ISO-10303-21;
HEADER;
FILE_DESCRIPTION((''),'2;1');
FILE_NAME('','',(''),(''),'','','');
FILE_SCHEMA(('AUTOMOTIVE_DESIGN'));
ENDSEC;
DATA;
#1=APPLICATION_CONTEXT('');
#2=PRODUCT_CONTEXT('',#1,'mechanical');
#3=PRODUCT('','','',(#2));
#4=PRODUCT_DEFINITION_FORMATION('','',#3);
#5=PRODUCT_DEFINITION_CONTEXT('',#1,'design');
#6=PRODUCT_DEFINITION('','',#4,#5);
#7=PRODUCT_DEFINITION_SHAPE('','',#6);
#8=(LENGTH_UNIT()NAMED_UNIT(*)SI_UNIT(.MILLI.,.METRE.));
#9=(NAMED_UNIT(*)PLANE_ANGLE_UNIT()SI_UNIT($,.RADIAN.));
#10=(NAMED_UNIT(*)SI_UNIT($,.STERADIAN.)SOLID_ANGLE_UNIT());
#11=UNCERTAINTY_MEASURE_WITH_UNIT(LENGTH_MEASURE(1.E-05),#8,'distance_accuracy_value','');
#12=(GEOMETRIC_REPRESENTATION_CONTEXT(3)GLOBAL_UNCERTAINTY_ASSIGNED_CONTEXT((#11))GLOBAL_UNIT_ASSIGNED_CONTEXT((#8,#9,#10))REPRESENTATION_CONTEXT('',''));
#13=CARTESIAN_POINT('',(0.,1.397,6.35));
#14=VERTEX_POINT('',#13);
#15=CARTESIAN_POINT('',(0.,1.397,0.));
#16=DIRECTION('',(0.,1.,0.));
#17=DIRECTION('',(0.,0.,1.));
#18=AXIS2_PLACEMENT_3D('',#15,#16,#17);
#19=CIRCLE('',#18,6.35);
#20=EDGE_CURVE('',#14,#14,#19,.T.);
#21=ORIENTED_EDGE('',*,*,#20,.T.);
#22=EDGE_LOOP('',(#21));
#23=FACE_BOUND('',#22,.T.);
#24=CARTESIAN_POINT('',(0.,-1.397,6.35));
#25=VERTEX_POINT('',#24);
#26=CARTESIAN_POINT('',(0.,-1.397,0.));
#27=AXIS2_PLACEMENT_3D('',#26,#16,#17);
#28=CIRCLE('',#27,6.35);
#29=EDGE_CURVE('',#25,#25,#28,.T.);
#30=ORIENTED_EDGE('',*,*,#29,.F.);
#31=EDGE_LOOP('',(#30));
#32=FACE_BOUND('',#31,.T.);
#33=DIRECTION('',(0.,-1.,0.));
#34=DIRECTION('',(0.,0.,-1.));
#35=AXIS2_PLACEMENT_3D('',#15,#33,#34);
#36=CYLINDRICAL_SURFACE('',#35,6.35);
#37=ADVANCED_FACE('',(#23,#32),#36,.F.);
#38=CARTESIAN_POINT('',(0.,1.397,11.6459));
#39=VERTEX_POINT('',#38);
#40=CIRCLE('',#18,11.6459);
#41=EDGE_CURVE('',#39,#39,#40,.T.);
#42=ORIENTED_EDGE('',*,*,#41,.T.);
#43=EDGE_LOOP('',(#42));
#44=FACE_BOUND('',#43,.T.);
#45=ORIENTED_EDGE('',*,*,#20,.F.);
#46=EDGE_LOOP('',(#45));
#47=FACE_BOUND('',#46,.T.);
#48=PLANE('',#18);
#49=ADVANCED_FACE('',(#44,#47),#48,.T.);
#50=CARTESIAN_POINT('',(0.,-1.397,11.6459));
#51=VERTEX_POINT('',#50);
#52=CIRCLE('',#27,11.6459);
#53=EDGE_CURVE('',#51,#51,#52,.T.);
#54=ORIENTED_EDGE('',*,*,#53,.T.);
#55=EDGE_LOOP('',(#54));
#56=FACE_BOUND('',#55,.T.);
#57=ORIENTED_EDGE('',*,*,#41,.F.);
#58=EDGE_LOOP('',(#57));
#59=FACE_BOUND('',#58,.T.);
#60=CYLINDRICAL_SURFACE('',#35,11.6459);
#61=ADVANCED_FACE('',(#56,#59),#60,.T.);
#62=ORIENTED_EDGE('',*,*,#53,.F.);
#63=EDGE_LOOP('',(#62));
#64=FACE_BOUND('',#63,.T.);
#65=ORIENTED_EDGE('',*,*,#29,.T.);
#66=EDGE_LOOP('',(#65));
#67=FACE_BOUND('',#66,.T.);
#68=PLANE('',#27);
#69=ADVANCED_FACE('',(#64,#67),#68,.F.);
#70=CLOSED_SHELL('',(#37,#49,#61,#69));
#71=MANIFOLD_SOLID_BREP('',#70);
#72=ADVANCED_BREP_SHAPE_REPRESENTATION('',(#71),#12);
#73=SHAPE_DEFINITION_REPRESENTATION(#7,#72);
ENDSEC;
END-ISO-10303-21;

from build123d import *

# Parameters (mm, degrees)
SKETCH1_R           = 11.6459
SKETCH1_R_2         = 6.35
BOSS_EXTRUDE1_DEPTH = 1.397


with BuildPart() as part:
    # Sketch1 → Boss-Extrude1 (new body, symmetric)
    with BuildSketch(Plane(origin=(0, 0, 0), x_dir=(1, 0, 0), z_dir=(0, 1, 0))):
        Circle(SKETCH1_R)
        Circle(SKETCH1_R_2, mode=Mode.SUBTRACT)
    extrude(amount=BOSS_EXTRUDE1_DEPTH, both=True)


solid = part.part
